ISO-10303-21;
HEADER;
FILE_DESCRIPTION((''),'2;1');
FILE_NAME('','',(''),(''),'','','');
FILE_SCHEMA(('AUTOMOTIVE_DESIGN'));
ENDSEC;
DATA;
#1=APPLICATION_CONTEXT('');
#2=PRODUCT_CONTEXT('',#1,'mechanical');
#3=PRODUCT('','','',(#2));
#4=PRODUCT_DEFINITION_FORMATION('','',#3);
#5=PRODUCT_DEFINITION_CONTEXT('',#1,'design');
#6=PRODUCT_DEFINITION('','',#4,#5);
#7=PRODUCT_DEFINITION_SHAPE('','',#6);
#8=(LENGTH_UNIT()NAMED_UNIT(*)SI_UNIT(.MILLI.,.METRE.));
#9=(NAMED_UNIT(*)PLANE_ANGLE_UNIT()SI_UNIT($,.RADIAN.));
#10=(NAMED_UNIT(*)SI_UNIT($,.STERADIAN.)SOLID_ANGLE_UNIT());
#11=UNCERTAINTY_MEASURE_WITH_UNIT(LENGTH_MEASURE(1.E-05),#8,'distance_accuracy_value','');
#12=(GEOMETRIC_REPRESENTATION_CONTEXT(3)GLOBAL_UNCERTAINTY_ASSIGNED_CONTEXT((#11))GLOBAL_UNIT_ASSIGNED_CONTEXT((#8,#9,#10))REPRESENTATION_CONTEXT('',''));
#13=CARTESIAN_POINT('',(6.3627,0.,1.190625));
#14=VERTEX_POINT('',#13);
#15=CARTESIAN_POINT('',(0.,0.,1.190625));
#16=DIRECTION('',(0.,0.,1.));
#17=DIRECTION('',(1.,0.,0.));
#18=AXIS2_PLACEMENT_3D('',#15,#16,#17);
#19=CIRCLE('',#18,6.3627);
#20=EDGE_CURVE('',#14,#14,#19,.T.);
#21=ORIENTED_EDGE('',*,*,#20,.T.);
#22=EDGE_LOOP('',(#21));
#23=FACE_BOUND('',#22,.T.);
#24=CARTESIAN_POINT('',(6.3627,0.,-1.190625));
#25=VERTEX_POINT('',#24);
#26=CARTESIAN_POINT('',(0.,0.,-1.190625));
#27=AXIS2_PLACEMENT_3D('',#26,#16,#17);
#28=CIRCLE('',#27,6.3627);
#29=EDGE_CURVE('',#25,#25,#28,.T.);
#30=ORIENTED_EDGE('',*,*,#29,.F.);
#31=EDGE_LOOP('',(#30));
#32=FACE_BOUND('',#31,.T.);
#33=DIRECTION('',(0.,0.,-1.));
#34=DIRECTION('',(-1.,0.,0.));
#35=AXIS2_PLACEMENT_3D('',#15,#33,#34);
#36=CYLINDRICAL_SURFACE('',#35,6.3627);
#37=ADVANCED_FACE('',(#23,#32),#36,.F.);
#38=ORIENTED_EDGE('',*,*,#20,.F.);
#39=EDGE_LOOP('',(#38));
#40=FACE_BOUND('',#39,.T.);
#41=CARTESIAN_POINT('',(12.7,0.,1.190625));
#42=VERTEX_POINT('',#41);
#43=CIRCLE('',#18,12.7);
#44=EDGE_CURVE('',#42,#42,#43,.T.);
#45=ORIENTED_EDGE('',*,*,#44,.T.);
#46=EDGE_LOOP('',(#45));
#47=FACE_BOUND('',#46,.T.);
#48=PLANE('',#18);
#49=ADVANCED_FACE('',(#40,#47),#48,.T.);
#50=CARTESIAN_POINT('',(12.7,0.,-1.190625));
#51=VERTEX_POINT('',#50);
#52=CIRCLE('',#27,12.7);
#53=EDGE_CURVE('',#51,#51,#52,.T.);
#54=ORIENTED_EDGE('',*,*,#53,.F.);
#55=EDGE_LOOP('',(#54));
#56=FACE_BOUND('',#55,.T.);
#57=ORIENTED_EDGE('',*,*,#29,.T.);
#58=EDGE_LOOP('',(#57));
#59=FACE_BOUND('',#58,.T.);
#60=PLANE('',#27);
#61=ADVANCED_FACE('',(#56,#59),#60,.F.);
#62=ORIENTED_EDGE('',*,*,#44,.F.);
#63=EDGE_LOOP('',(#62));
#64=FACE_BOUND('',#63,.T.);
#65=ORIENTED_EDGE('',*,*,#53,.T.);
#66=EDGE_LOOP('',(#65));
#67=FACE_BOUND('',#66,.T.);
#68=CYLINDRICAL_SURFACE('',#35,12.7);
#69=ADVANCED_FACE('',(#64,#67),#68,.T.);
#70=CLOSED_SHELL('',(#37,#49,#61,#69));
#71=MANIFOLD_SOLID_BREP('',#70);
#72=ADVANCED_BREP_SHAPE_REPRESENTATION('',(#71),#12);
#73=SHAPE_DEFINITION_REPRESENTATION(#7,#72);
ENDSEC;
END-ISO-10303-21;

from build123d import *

# Parameters (mm, degrees)
SKETCH1_R      = 12.7
SKETCH1_R_2    = 6.3627
EXTRUDE1_DEPTH = 1.190625


with BuildPart() as part:
    # Sketch1 → Extrude1 (new body, symmetric)
    with BuildSketch(Plane.XY):
        Circle(SKETCH1_R)
        Circle(SKETCH1_R_2, mode=Mode.SUBTRACT)
    extrude(amount=EXTRUDE1_DEPTH, both=True)


solid = part.part
